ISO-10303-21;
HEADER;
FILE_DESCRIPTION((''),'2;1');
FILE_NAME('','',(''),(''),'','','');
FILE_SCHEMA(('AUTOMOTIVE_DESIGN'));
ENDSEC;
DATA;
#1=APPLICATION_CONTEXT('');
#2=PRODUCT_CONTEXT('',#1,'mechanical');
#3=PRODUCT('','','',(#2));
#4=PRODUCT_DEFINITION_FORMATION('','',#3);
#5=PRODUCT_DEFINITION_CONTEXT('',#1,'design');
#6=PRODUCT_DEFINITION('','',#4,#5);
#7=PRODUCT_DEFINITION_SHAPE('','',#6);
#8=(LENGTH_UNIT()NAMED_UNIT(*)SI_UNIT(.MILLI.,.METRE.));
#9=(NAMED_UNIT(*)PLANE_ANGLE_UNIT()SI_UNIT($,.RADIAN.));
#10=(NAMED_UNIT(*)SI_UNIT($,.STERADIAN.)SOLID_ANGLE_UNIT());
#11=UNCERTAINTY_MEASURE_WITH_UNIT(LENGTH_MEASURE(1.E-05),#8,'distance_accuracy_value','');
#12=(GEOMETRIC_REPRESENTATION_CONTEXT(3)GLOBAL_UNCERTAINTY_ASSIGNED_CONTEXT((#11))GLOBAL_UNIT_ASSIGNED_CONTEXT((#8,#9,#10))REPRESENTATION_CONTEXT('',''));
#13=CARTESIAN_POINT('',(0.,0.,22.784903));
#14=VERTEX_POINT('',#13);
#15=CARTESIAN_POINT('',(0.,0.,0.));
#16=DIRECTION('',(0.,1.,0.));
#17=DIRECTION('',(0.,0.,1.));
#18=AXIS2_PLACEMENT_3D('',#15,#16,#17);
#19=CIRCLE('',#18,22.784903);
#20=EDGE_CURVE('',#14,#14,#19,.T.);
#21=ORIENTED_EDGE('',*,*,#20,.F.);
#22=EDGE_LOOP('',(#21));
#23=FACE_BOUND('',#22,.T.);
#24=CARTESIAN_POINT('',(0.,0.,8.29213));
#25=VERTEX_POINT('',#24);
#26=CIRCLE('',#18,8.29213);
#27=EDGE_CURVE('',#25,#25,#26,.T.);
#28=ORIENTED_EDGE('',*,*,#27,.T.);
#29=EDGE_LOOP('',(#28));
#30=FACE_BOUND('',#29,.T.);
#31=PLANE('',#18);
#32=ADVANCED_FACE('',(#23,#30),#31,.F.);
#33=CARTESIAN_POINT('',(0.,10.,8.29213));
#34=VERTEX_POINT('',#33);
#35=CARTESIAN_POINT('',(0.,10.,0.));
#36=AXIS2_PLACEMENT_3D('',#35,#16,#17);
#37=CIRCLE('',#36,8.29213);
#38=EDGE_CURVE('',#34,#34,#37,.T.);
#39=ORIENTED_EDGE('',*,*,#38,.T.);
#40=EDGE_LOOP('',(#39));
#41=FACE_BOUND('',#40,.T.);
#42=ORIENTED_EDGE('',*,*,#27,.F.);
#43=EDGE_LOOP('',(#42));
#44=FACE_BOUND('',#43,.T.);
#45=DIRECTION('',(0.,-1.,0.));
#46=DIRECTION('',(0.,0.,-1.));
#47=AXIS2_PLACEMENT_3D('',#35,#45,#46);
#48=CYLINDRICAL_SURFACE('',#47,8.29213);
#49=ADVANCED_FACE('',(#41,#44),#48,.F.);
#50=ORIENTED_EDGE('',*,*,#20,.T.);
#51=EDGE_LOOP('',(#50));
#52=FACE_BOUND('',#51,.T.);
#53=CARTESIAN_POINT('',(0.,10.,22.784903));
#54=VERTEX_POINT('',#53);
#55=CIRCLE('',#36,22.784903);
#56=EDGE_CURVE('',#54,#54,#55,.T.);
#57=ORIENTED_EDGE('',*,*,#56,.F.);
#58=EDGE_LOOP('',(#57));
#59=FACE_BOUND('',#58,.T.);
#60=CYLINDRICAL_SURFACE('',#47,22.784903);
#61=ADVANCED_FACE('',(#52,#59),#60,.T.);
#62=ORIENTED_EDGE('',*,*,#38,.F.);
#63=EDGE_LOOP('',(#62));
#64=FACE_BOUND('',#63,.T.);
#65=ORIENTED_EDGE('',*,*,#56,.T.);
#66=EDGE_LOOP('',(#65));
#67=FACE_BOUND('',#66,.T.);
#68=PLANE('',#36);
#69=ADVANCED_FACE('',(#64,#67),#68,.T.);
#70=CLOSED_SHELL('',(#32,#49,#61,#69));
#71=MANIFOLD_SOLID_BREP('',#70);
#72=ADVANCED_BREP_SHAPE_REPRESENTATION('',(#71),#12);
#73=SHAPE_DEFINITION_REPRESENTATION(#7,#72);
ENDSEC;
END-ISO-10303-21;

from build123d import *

# Parameters (mm, degrees)
SKETCH1_R           = 22.784902686
SKETCH1_R_2         = 8.292130067
BOSS_EXTRUDE1_DEPTH = 10


with BuildPart() as part:
    # Sketch1 → Boss-Extrude1 (new body)
    with BuildSketch(Plane(origin=(0, 0, 0), x_dir=(1, 0, 0), z_dir=(0, 1, 0))):
        with Locations(Location((0, 0, 0), (0, 0, 270))):
            Circle(SKETCH1_R)
        with Locations(Location((0, 0, 0), (0, 0, 270))):
            Circle(SKETCH1_R_2, mode=Mode.SUBTRACT)
    extrude(amount=BOSS_EXTRUDE1_DEPTH)


solid = part.part
